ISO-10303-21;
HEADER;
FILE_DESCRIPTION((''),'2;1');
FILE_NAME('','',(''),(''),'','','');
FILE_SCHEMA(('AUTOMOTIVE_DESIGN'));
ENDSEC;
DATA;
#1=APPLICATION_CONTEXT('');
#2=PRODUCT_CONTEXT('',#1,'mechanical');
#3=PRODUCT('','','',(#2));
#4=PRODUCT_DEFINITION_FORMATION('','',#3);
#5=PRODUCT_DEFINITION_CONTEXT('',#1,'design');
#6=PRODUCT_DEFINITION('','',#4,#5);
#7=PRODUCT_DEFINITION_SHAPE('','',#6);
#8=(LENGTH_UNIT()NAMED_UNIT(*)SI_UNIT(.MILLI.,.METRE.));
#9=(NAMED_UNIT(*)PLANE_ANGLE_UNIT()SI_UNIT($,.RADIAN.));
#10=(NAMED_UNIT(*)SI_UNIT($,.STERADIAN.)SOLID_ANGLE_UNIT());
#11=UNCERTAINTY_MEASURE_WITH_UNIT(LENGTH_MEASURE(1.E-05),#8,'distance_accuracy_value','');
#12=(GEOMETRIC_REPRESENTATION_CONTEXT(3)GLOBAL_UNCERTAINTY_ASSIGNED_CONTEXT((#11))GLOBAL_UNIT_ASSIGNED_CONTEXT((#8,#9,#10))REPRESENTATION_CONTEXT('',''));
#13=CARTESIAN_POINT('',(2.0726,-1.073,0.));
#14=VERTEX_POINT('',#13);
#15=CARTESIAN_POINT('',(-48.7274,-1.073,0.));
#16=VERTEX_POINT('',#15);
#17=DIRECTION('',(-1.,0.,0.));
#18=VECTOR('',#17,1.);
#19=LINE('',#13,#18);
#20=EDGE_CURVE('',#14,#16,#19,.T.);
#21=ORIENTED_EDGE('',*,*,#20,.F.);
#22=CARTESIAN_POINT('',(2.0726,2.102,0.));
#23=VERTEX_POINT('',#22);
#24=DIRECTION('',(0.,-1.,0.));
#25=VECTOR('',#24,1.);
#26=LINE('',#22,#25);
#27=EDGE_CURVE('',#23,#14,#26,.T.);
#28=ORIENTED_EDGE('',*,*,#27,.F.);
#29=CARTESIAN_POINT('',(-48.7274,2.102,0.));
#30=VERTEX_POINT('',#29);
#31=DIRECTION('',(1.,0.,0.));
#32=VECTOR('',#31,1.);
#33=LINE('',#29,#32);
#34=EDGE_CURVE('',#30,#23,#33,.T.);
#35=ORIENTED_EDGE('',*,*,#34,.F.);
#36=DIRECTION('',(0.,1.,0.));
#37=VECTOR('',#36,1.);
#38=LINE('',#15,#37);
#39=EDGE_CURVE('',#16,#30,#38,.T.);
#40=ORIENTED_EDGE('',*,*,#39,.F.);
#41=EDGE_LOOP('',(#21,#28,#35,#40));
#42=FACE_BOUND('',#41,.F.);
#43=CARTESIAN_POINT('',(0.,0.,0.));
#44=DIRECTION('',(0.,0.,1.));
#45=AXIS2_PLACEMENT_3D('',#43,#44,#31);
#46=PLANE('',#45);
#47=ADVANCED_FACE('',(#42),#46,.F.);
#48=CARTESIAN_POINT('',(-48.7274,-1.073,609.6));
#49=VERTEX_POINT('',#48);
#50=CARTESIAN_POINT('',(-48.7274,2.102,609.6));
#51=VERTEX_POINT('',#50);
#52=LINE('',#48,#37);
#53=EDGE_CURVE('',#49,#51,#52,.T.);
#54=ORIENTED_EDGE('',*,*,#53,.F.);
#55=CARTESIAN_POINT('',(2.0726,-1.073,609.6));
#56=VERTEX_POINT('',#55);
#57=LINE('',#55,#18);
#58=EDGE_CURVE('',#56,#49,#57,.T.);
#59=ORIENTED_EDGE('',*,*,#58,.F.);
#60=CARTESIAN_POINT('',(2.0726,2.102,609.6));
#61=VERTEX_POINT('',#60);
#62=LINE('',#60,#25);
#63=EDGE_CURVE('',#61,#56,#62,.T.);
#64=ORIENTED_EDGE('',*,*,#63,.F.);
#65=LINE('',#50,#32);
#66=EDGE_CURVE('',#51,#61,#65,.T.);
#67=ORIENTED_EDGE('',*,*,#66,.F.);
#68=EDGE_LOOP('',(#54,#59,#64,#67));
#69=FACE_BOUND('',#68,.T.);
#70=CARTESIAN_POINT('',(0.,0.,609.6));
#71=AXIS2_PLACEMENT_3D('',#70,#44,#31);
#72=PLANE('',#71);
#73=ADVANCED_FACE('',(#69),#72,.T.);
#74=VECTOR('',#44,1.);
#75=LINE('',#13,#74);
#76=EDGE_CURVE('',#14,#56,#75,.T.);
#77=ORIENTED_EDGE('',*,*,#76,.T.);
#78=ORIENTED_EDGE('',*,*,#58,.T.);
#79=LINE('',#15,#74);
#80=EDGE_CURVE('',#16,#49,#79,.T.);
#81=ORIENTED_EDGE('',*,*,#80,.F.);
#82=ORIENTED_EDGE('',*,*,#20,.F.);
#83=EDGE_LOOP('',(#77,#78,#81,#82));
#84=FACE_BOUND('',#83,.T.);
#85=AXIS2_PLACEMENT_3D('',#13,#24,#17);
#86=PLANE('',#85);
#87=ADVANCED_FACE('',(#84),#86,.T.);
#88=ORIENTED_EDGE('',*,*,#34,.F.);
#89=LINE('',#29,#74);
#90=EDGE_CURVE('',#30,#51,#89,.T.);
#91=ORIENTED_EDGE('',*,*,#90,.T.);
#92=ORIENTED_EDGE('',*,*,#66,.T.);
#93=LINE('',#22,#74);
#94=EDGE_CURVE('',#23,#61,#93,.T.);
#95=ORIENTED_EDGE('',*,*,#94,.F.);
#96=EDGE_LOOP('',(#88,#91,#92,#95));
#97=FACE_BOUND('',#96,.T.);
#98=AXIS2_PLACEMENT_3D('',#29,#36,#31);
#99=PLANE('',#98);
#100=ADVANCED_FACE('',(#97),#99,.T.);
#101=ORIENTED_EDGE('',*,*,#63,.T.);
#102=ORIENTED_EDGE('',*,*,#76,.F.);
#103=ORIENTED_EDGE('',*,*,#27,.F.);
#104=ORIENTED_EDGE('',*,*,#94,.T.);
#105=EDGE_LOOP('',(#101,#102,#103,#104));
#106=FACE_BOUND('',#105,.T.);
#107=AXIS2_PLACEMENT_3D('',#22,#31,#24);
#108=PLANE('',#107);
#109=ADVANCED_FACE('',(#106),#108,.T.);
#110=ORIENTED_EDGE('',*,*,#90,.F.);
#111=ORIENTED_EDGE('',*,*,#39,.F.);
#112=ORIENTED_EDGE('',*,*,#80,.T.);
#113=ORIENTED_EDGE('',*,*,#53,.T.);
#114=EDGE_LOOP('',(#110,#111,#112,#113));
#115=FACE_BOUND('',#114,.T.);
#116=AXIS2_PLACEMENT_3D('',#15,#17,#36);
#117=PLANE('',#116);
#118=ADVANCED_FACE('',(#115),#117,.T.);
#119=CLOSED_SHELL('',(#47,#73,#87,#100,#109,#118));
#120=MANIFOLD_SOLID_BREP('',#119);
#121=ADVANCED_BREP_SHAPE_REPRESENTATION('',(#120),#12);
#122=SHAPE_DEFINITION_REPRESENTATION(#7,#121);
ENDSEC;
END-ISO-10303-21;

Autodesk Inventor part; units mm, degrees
ref_plane "YZ Plane" through (0, 0, 0) normal (1, 0, 0) x (0, 1, 0)
ref_plane "XZ Plane" through (0, 0, 0) normal (0, 1, 0) x (-1, 0, 0)
ref_plane "XY Plane" through (0, 0, 0) normal (0, 0, 1) x (1, 0, 0)
sketch "Sketch1" plane through (0, 0, 0) normal (0, 0, 1) x (1, 0, 0)
  line L0 (-48.7274, 2.102) -> (2.0726, 2.102)
  line L1 (2.0726, 2.102) -> (2.0726, -1.073)
  line L2 (2.0726, -1.073) -> (-48.7274, -1.073)
  line L3 (-48.7274, -1.073) -> (-48.7274, 2.102)
  point P0 (0, 0)
  dimension "d0" = 3.175
  dimension "d1" = 50.8
extrude "Extrusion1" add sketch "Sketch1" along normal blind 609.6
equation "\"d3\" = d2"
equation "\"d2\" = 609.6"
properties part number "Flat Bar STOCK"
